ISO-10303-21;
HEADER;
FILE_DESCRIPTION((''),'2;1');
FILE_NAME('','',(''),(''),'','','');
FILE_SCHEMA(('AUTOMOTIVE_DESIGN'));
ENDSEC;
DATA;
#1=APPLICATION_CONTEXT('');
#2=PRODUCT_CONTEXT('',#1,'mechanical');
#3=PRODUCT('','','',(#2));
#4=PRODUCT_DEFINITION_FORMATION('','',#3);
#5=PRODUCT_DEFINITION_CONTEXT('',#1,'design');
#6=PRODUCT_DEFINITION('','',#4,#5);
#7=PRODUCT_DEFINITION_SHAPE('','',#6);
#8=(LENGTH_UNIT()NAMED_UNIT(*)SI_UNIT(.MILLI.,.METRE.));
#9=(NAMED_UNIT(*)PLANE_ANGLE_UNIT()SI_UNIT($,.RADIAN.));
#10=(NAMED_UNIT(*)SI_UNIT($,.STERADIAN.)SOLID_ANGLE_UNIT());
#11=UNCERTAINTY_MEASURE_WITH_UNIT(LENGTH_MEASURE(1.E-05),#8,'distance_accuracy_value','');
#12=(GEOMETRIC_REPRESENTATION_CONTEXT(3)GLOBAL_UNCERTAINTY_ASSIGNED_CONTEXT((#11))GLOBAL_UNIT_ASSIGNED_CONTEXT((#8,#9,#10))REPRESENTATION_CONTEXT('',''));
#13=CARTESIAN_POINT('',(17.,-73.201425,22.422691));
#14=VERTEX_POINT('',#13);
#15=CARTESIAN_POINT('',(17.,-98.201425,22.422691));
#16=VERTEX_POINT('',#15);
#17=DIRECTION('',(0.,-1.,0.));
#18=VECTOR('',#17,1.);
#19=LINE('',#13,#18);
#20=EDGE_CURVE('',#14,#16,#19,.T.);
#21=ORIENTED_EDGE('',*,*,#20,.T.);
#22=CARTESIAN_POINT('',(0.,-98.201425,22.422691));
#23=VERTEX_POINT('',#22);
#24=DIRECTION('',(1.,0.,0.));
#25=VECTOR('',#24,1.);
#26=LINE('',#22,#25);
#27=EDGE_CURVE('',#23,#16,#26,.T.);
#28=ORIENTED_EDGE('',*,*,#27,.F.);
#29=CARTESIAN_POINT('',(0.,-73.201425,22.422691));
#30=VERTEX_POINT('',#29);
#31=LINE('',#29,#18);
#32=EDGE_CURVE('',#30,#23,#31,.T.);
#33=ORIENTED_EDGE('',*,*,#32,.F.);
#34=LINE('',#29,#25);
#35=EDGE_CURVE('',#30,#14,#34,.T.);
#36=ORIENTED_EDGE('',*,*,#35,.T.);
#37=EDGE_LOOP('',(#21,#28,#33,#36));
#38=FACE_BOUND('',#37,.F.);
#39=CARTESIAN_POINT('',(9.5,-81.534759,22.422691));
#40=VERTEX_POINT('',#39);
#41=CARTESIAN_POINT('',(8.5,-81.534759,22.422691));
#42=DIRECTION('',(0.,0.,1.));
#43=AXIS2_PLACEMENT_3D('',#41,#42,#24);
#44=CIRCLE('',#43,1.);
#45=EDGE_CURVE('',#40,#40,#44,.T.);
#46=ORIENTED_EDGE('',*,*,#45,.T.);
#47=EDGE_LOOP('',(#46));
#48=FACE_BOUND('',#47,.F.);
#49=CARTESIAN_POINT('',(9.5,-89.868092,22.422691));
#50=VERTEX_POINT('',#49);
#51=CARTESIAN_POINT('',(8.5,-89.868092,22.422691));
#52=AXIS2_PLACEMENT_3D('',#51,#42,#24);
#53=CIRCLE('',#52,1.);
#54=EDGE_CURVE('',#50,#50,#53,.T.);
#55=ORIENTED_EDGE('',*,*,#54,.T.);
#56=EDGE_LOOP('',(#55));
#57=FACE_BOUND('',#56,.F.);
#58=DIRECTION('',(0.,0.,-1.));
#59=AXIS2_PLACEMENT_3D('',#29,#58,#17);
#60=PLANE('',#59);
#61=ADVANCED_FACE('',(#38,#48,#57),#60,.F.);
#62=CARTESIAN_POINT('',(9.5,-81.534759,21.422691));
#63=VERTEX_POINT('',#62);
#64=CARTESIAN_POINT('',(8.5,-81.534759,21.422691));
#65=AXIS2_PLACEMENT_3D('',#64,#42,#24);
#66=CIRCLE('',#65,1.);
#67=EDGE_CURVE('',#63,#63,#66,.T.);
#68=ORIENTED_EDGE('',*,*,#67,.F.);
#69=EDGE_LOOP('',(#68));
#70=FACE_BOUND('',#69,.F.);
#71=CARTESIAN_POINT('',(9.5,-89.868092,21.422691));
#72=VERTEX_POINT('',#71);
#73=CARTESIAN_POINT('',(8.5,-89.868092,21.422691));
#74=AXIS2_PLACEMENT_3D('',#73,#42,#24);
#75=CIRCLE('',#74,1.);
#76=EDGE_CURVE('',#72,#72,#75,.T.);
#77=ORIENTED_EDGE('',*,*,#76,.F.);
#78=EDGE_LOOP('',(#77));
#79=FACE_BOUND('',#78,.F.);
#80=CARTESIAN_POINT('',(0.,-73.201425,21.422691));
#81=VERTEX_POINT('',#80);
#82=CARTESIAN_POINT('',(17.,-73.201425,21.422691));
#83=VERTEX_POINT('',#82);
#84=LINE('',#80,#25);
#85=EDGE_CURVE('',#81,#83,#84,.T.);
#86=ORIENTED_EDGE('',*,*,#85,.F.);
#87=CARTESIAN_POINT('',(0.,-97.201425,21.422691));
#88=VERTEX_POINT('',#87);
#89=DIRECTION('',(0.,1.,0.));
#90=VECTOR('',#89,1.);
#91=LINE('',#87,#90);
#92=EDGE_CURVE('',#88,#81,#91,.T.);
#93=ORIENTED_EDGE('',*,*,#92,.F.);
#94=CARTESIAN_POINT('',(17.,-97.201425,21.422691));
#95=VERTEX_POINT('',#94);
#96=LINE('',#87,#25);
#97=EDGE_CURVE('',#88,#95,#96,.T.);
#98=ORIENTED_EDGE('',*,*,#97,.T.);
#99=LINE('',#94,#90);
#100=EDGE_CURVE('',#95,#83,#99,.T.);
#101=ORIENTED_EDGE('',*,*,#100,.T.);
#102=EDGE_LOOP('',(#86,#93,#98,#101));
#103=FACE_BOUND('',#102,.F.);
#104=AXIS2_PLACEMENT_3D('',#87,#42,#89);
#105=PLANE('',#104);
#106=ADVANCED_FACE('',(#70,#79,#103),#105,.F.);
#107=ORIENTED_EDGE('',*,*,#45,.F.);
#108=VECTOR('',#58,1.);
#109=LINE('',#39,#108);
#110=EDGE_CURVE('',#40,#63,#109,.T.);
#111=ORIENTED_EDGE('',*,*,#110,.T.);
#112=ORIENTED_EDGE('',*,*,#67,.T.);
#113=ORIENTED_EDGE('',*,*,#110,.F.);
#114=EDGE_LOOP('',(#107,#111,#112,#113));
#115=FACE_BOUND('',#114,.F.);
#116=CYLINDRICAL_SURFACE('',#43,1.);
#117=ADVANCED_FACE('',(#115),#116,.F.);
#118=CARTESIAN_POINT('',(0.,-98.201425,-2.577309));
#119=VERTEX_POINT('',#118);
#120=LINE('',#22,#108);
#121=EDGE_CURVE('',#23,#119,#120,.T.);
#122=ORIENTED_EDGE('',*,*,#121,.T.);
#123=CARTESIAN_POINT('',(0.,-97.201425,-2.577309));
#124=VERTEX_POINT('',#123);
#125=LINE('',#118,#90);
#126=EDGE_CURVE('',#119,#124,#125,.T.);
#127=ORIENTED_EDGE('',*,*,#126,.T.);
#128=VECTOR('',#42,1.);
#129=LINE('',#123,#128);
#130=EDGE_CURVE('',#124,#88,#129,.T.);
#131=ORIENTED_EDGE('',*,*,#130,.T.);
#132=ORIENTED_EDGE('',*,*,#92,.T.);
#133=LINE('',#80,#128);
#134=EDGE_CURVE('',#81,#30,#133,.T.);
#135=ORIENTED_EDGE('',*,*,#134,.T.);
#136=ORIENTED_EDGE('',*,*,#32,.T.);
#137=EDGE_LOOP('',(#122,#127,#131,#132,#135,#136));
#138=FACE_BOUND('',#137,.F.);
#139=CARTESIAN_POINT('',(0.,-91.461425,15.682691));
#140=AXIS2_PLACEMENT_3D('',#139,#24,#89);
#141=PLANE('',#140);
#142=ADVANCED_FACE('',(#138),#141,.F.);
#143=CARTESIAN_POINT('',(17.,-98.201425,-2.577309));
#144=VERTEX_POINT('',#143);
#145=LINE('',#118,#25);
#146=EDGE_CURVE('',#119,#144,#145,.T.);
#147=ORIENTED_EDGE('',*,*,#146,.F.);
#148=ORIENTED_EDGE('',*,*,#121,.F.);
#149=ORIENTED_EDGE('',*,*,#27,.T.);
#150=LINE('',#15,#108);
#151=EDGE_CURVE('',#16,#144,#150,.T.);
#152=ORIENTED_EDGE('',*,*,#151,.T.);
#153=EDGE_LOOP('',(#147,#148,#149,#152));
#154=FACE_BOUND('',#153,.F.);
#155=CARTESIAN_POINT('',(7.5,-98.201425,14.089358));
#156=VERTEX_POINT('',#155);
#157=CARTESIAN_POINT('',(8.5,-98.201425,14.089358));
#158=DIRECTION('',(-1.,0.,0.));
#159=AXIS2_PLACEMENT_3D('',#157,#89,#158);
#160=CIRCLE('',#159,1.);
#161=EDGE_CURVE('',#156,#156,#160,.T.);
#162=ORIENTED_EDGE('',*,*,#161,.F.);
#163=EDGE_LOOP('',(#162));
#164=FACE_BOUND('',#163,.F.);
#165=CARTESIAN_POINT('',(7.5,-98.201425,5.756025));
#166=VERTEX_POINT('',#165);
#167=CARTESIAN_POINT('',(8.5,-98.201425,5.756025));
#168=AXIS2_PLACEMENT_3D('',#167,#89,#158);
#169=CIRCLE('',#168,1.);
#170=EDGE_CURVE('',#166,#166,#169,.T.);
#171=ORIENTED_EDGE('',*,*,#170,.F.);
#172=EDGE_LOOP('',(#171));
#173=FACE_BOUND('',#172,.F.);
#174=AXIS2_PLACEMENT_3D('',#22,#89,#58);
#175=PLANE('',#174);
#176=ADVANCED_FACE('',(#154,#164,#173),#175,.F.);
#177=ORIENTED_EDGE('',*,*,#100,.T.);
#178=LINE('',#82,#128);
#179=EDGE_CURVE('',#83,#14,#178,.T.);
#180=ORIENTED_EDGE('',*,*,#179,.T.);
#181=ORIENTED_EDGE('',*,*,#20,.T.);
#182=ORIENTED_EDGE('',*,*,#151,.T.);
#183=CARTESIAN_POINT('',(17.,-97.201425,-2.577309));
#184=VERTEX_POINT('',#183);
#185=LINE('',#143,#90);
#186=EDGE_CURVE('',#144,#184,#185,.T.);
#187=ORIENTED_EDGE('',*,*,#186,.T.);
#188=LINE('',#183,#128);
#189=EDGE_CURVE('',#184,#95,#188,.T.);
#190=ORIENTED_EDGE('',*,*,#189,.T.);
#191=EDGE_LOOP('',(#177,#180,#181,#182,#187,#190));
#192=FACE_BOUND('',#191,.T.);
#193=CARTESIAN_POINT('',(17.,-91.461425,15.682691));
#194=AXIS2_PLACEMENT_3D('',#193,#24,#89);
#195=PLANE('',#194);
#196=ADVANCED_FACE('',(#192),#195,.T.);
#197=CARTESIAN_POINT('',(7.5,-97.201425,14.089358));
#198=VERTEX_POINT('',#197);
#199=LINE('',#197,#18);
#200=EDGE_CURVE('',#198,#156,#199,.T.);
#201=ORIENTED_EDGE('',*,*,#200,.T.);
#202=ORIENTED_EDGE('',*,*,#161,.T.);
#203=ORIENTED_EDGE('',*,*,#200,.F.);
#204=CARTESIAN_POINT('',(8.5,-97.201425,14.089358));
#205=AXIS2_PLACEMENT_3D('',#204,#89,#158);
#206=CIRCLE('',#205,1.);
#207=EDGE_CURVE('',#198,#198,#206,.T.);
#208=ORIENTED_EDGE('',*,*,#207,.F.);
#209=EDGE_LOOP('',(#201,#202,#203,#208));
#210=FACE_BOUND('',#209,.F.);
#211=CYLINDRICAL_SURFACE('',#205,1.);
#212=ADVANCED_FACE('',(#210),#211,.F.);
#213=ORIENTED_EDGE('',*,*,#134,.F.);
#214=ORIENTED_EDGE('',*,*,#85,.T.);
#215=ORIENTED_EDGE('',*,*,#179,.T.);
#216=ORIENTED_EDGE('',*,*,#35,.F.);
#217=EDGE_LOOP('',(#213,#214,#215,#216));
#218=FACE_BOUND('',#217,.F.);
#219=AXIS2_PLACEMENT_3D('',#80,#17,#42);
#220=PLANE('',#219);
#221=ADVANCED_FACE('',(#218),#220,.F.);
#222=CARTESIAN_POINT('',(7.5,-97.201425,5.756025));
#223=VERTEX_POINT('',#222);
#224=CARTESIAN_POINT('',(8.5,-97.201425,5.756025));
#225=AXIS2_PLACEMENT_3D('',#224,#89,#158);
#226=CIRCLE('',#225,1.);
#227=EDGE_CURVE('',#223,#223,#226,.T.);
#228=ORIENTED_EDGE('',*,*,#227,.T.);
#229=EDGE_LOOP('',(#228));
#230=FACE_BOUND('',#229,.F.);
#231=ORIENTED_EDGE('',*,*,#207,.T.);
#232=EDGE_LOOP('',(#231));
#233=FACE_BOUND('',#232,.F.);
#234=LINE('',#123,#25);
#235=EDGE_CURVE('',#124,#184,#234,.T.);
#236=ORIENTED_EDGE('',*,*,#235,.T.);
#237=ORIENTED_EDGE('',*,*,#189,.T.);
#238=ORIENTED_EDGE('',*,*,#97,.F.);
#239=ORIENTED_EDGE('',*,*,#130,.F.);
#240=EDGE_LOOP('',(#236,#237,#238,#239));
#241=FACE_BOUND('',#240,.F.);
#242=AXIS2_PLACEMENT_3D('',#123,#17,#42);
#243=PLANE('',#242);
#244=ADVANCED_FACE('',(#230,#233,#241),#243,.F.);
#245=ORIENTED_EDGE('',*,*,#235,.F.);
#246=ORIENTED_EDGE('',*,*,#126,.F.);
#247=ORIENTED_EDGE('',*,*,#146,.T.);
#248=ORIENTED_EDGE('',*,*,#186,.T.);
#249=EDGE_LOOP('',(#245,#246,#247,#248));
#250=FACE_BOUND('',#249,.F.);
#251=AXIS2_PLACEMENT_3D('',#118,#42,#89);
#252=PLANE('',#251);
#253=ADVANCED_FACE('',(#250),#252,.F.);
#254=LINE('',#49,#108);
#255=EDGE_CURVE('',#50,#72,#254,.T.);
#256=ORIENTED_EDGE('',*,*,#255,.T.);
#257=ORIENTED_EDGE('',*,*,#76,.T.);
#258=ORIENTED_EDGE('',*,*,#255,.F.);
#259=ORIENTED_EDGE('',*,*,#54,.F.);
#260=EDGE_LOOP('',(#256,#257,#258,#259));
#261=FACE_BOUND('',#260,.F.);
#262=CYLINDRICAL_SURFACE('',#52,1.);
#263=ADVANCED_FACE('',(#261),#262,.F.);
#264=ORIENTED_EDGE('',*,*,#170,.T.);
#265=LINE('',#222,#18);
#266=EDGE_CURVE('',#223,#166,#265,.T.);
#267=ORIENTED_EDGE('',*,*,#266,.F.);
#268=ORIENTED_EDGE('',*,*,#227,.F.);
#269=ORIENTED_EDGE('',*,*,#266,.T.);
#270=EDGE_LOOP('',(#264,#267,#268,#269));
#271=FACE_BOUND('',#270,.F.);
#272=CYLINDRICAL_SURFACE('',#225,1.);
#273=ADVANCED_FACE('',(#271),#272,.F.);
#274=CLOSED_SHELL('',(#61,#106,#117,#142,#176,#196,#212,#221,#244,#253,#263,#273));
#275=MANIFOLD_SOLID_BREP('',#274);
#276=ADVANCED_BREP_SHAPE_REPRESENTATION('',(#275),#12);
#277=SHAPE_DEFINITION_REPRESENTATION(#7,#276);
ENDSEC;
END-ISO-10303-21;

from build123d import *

# Parameters (mm, degrees)
F1_DEPTH = 17
F2_R     = 1
F3_DEPTH = 1
F4_R     = 1
F5_DEPTH = 1


with BuildPart() as f1:
    # F0 (on Right) → F1 (new body)
    with BuildSketch(Plane.YZ):
        Polygon((-73.201425, 22.422691), (-98.201425, 22.422691), (-98.201425, -2.577309), (-97.201425, -2.577309), (-97.201425, 21.422691), (-73.201425, 21.422691), align=None)
    extrude(amount=F1_DEPTH)

    # F2 (on face) → F3 (cut)
    with BuildSketch(Plane(origin=(0, -97.201425, 0), x_dir=(-1, 0, 0), z_dir=(0, 1, 0))):
        with Locations((-8.5, 5.756025)):
            Circle(F2_R)
        with Locations((-8.5, 14.089358)):
            Circle(F2_R)
    extrude(amount=-F3_DEPTH, mode=Mode.SUBTRACT)

    # F4 (on face) → F5 (cut)
    with BuildSketch(Plane.XY.offset(22.422691)):
        with Locations((8.5, -81.534759)):
            Circle(F4_R)
        with Locations((8.5, -89.868092)):
            Circle(F4_R)
    extrude(amount=-F5_DEPTH, mode=Mode.SUBTRACT)


solid = f1.part
